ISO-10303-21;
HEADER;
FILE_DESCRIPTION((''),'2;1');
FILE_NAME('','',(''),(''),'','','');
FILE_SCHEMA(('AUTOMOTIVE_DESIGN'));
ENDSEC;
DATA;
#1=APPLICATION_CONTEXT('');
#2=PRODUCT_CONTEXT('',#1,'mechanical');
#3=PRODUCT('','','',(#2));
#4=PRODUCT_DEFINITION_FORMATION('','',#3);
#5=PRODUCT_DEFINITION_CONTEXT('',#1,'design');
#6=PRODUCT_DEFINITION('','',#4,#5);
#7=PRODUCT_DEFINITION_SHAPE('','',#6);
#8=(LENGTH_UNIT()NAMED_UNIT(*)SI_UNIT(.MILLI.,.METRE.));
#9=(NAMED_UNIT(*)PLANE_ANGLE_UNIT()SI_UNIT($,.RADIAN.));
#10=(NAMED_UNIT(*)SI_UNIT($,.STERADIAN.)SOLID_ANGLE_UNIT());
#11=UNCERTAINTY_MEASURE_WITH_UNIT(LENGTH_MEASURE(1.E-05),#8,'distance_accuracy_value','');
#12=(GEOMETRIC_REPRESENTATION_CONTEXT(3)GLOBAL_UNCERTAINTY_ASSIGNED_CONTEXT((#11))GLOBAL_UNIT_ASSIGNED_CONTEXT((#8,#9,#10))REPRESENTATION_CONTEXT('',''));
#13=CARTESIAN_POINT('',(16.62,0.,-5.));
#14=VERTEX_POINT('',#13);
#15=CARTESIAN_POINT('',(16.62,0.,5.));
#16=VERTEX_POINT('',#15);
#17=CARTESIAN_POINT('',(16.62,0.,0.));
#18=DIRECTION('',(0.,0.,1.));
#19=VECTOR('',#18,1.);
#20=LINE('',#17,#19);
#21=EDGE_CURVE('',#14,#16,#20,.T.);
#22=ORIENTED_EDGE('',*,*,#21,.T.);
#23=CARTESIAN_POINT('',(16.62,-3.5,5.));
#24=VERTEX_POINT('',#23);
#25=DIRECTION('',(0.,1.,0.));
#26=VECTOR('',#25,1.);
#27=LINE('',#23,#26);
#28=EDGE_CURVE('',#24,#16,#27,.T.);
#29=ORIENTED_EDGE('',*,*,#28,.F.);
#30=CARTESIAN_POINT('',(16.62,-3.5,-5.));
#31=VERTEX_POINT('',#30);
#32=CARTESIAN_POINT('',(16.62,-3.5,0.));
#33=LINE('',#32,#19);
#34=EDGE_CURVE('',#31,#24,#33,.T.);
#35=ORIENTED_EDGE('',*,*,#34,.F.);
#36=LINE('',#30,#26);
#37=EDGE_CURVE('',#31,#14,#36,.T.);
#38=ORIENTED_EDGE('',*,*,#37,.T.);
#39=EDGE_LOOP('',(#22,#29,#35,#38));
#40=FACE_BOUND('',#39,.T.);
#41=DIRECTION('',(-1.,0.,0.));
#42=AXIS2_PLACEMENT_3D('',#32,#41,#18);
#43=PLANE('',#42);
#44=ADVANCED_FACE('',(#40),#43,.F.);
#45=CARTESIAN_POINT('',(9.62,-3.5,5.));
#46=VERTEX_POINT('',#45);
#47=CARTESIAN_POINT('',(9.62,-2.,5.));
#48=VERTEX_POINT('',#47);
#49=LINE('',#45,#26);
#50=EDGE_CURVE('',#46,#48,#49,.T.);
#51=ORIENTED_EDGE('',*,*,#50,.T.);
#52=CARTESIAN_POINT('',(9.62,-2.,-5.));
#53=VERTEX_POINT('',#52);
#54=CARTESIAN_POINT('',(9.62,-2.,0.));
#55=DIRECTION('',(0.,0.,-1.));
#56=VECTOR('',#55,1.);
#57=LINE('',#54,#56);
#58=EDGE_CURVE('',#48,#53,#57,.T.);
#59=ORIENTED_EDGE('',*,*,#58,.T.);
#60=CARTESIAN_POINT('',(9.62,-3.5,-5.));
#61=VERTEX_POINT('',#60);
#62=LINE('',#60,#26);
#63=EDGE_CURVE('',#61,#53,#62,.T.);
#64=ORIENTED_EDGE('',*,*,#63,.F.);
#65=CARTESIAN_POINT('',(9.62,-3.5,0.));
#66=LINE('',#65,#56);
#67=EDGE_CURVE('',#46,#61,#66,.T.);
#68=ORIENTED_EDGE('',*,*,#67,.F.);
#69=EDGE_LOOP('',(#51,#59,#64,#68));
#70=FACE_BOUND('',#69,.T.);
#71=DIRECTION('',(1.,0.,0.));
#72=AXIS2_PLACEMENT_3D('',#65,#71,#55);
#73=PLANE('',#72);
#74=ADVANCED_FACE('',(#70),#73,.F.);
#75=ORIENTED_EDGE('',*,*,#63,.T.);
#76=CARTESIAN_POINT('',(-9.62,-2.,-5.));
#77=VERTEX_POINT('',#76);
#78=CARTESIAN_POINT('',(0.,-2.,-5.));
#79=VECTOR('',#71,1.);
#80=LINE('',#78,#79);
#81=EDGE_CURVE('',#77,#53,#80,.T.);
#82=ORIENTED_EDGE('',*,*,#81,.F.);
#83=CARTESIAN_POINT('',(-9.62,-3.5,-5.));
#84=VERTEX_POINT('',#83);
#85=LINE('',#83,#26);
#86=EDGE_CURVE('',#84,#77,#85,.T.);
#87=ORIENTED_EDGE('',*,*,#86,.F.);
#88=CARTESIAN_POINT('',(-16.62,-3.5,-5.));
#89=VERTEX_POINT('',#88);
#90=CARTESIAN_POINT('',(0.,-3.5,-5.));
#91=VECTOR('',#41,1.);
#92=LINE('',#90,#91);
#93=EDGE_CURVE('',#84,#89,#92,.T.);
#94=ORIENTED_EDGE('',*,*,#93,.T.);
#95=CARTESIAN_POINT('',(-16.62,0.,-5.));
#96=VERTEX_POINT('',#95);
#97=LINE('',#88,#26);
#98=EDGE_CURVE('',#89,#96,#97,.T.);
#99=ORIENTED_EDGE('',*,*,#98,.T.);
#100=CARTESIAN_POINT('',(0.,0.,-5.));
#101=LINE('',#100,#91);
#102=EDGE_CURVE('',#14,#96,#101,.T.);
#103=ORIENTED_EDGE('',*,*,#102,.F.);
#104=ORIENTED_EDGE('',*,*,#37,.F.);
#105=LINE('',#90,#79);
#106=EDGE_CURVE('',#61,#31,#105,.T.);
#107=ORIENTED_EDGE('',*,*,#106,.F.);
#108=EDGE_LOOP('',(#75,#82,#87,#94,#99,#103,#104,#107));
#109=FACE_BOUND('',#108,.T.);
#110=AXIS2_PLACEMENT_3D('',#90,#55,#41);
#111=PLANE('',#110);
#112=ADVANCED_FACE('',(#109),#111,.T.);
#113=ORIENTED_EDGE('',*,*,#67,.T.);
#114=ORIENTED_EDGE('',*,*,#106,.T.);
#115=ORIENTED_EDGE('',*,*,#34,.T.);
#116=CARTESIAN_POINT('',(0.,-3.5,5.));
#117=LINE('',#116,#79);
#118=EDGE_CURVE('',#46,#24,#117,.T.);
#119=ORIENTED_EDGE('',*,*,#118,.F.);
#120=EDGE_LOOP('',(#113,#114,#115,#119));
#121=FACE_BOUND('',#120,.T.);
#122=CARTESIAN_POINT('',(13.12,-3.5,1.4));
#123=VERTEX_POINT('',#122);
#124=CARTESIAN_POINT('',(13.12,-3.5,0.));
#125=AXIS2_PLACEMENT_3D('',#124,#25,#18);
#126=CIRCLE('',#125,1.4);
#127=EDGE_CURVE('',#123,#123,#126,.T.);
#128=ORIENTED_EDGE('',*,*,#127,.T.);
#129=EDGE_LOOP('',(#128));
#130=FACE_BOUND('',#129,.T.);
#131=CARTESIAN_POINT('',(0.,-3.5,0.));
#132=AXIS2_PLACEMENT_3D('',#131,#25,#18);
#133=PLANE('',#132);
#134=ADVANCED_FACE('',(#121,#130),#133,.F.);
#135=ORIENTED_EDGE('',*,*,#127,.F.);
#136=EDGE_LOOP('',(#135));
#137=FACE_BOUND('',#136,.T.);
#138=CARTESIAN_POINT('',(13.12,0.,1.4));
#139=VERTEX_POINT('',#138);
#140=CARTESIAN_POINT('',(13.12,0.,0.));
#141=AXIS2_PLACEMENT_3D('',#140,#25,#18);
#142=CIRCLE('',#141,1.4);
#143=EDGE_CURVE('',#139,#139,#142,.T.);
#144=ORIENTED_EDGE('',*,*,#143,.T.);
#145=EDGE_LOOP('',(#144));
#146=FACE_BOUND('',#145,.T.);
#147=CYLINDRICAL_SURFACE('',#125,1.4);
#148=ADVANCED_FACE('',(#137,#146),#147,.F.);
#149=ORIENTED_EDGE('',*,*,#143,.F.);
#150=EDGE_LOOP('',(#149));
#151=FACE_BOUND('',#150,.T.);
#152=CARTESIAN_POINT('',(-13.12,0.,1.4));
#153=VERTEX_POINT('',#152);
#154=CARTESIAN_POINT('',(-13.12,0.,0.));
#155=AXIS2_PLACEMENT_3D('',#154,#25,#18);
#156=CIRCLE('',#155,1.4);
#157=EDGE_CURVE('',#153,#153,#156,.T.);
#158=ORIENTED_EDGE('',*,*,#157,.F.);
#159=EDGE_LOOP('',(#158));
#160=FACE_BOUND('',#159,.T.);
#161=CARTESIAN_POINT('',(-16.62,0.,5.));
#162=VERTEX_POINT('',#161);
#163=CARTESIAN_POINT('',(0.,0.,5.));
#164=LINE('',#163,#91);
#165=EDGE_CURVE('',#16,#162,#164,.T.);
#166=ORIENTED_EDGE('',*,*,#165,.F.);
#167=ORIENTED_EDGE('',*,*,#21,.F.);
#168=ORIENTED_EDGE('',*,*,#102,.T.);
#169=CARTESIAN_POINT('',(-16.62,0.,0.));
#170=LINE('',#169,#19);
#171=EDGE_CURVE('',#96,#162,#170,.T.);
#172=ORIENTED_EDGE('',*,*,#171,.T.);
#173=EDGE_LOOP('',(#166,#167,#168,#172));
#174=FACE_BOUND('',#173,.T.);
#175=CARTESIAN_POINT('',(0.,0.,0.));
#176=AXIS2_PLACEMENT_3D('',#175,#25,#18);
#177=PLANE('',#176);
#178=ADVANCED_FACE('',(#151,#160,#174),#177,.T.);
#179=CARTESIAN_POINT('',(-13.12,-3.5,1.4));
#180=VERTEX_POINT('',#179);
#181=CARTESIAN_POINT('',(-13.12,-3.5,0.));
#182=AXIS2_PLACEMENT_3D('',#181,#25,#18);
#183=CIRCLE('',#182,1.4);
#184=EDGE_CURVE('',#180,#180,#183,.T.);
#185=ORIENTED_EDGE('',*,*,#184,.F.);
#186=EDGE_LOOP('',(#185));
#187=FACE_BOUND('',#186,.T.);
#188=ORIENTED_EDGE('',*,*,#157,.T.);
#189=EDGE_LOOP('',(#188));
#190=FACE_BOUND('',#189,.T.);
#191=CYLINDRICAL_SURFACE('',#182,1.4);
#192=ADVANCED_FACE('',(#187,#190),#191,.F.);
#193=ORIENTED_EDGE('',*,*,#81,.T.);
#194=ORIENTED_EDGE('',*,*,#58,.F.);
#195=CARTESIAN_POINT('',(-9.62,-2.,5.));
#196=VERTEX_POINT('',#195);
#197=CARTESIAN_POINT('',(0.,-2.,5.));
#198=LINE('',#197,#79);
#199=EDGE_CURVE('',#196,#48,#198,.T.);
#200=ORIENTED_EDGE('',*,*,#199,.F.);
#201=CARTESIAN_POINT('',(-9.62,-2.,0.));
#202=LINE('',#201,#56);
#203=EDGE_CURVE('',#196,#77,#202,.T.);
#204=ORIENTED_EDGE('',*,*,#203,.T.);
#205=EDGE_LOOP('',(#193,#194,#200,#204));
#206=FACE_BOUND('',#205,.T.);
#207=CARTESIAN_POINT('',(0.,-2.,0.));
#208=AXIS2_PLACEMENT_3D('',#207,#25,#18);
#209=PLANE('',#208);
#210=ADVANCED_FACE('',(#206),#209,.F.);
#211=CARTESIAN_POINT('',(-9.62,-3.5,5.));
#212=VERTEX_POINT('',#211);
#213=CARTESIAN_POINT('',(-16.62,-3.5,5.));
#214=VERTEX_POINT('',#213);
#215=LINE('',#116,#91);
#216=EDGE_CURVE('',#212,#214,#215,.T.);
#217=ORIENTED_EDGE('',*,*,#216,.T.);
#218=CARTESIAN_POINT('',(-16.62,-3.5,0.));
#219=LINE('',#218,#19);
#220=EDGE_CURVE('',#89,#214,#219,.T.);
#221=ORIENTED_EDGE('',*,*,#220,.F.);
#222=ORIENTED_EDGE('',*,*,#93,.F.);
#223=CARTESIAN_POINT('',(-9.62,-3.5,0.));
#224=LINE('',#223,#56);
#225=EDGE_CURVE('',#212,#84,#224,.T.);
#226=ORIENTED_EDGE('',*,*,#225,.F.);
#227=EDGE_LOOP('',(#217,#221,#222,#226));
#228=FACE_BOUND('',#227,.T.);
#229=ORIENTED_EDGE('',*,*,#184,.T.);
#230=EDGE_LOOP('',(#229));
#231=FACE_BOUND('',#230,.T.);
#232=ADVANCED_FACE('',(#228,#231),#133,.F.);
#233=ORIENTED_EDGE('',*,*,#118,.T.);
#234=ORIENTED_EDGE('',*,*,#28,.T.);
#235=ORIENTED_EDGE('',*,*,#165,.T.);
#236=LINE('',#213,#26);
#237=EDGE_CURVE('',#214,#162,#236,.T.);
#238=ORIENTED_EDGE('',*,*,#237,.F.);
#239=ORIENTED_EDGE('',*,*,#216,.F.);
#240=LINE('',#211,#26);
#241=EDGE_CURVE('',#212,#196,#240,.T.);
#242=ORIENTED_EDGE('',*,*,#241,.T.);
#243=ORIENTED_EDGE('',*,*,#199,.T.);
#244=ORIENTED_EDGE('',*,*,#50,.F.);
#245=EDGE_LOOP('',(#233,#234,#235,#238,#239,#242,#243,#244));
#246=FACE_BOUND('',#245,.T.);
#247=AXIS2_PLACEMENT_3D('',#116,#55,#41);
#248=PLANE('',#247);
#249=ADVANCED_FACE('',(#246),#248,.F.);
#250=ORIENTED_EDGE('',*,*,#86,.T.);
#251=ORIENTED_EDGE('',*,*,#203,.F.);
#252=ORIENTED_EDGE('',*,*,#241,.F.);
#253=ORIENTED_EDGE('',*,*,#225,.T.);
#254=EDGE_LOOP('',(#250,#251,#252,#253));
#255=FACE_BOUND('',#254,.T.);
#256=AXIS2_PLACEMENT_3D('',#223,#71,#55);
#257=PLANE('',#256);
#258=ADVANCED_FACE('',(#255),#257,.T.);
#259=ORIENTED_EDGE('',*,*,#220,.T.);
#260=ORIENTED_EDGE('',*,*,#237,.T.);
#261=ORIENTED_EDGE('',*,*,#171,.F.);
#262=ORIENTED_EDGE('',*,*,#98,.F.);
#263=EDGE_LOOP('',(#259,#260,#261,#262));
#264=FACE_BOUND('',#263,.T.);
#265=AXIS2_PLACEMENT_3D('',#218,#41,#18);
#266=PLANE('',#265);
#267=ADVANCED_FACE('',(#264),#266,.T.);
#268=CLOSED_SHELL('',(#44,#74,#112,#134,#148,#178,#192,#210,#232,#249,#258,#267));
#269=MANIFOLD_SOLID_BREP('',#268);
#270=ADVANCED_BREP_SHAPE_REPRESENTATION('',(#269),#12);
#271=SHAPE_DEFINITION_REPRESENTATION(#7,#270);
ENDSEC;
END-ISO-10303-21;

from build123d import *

# Parameters (mm, degrees)
SKETCH1_W             = 7
SKETCH1_H             = 10
SKETCH1_R             = 1.4
BOSS_EXTRUDE1_DEPTH   = 3.5
BOSS_EXTRUDE1_2_DEPTH = 3.5
SKETCH1_3_W           = 19.24
SKETCH1_3_H           = 10
BOSS_EXTRUDE2_DEPTH   = 2


with BuildPart() as part:
    # Sketch1 → Boss-Extrude1 (new body)
    with BuildSketch(Plane(origin=(0, 0, 0), x_dir=(1, 0, 0), z_dir=(0, 1, 0))):
        with Locations((-13.12, 0)):
            Rectangle(SKETCH1_W, SKETCH1_H)
        with Locations((-13.12, 0)):
            Circle(SKETCH1_R, mode=Mode.SUBTRACT)
    extrude(amount=-BOSS_EXTRUDE1_DEPTH)



with BuildPart() as body_2:
    # Sketch1 → Boss-Extrude1 2 (new body)
    with BuildSketch(Plane(origin=(0, 0, 0), x_dir=(1, 0, 0), z_dir=(0, 1, 0))):
        with Locations((13.12, 0)):
            Rectangle(SKETCH1_W, SKETCH1_H)
        with Locations((13.12, 0)):
            Circle(SKETCH1_R, mode=Mode.SUBTRACT)
    extrude(amount=-BOSS_EXTRUDE1_2_DEPTH)


with BuildPart() as part_1:
    add(part.part)

    add(body_2.part)  # Boss-Extrude2 merges body 2
    # Sketch1<3> → Boss-Extrude2 (add)
    with BuildSketch(Plane(origin=(0, 0, 0), x_dir=(1, 0, 0), z_dir=(0, 1, 0))):
        Rectangle(SKETCH1_3_W, SKETCH1_3_H)
    extrude(amount=-BOSS_EXTRUDE2_DEPTH)


solid = part_1.part
